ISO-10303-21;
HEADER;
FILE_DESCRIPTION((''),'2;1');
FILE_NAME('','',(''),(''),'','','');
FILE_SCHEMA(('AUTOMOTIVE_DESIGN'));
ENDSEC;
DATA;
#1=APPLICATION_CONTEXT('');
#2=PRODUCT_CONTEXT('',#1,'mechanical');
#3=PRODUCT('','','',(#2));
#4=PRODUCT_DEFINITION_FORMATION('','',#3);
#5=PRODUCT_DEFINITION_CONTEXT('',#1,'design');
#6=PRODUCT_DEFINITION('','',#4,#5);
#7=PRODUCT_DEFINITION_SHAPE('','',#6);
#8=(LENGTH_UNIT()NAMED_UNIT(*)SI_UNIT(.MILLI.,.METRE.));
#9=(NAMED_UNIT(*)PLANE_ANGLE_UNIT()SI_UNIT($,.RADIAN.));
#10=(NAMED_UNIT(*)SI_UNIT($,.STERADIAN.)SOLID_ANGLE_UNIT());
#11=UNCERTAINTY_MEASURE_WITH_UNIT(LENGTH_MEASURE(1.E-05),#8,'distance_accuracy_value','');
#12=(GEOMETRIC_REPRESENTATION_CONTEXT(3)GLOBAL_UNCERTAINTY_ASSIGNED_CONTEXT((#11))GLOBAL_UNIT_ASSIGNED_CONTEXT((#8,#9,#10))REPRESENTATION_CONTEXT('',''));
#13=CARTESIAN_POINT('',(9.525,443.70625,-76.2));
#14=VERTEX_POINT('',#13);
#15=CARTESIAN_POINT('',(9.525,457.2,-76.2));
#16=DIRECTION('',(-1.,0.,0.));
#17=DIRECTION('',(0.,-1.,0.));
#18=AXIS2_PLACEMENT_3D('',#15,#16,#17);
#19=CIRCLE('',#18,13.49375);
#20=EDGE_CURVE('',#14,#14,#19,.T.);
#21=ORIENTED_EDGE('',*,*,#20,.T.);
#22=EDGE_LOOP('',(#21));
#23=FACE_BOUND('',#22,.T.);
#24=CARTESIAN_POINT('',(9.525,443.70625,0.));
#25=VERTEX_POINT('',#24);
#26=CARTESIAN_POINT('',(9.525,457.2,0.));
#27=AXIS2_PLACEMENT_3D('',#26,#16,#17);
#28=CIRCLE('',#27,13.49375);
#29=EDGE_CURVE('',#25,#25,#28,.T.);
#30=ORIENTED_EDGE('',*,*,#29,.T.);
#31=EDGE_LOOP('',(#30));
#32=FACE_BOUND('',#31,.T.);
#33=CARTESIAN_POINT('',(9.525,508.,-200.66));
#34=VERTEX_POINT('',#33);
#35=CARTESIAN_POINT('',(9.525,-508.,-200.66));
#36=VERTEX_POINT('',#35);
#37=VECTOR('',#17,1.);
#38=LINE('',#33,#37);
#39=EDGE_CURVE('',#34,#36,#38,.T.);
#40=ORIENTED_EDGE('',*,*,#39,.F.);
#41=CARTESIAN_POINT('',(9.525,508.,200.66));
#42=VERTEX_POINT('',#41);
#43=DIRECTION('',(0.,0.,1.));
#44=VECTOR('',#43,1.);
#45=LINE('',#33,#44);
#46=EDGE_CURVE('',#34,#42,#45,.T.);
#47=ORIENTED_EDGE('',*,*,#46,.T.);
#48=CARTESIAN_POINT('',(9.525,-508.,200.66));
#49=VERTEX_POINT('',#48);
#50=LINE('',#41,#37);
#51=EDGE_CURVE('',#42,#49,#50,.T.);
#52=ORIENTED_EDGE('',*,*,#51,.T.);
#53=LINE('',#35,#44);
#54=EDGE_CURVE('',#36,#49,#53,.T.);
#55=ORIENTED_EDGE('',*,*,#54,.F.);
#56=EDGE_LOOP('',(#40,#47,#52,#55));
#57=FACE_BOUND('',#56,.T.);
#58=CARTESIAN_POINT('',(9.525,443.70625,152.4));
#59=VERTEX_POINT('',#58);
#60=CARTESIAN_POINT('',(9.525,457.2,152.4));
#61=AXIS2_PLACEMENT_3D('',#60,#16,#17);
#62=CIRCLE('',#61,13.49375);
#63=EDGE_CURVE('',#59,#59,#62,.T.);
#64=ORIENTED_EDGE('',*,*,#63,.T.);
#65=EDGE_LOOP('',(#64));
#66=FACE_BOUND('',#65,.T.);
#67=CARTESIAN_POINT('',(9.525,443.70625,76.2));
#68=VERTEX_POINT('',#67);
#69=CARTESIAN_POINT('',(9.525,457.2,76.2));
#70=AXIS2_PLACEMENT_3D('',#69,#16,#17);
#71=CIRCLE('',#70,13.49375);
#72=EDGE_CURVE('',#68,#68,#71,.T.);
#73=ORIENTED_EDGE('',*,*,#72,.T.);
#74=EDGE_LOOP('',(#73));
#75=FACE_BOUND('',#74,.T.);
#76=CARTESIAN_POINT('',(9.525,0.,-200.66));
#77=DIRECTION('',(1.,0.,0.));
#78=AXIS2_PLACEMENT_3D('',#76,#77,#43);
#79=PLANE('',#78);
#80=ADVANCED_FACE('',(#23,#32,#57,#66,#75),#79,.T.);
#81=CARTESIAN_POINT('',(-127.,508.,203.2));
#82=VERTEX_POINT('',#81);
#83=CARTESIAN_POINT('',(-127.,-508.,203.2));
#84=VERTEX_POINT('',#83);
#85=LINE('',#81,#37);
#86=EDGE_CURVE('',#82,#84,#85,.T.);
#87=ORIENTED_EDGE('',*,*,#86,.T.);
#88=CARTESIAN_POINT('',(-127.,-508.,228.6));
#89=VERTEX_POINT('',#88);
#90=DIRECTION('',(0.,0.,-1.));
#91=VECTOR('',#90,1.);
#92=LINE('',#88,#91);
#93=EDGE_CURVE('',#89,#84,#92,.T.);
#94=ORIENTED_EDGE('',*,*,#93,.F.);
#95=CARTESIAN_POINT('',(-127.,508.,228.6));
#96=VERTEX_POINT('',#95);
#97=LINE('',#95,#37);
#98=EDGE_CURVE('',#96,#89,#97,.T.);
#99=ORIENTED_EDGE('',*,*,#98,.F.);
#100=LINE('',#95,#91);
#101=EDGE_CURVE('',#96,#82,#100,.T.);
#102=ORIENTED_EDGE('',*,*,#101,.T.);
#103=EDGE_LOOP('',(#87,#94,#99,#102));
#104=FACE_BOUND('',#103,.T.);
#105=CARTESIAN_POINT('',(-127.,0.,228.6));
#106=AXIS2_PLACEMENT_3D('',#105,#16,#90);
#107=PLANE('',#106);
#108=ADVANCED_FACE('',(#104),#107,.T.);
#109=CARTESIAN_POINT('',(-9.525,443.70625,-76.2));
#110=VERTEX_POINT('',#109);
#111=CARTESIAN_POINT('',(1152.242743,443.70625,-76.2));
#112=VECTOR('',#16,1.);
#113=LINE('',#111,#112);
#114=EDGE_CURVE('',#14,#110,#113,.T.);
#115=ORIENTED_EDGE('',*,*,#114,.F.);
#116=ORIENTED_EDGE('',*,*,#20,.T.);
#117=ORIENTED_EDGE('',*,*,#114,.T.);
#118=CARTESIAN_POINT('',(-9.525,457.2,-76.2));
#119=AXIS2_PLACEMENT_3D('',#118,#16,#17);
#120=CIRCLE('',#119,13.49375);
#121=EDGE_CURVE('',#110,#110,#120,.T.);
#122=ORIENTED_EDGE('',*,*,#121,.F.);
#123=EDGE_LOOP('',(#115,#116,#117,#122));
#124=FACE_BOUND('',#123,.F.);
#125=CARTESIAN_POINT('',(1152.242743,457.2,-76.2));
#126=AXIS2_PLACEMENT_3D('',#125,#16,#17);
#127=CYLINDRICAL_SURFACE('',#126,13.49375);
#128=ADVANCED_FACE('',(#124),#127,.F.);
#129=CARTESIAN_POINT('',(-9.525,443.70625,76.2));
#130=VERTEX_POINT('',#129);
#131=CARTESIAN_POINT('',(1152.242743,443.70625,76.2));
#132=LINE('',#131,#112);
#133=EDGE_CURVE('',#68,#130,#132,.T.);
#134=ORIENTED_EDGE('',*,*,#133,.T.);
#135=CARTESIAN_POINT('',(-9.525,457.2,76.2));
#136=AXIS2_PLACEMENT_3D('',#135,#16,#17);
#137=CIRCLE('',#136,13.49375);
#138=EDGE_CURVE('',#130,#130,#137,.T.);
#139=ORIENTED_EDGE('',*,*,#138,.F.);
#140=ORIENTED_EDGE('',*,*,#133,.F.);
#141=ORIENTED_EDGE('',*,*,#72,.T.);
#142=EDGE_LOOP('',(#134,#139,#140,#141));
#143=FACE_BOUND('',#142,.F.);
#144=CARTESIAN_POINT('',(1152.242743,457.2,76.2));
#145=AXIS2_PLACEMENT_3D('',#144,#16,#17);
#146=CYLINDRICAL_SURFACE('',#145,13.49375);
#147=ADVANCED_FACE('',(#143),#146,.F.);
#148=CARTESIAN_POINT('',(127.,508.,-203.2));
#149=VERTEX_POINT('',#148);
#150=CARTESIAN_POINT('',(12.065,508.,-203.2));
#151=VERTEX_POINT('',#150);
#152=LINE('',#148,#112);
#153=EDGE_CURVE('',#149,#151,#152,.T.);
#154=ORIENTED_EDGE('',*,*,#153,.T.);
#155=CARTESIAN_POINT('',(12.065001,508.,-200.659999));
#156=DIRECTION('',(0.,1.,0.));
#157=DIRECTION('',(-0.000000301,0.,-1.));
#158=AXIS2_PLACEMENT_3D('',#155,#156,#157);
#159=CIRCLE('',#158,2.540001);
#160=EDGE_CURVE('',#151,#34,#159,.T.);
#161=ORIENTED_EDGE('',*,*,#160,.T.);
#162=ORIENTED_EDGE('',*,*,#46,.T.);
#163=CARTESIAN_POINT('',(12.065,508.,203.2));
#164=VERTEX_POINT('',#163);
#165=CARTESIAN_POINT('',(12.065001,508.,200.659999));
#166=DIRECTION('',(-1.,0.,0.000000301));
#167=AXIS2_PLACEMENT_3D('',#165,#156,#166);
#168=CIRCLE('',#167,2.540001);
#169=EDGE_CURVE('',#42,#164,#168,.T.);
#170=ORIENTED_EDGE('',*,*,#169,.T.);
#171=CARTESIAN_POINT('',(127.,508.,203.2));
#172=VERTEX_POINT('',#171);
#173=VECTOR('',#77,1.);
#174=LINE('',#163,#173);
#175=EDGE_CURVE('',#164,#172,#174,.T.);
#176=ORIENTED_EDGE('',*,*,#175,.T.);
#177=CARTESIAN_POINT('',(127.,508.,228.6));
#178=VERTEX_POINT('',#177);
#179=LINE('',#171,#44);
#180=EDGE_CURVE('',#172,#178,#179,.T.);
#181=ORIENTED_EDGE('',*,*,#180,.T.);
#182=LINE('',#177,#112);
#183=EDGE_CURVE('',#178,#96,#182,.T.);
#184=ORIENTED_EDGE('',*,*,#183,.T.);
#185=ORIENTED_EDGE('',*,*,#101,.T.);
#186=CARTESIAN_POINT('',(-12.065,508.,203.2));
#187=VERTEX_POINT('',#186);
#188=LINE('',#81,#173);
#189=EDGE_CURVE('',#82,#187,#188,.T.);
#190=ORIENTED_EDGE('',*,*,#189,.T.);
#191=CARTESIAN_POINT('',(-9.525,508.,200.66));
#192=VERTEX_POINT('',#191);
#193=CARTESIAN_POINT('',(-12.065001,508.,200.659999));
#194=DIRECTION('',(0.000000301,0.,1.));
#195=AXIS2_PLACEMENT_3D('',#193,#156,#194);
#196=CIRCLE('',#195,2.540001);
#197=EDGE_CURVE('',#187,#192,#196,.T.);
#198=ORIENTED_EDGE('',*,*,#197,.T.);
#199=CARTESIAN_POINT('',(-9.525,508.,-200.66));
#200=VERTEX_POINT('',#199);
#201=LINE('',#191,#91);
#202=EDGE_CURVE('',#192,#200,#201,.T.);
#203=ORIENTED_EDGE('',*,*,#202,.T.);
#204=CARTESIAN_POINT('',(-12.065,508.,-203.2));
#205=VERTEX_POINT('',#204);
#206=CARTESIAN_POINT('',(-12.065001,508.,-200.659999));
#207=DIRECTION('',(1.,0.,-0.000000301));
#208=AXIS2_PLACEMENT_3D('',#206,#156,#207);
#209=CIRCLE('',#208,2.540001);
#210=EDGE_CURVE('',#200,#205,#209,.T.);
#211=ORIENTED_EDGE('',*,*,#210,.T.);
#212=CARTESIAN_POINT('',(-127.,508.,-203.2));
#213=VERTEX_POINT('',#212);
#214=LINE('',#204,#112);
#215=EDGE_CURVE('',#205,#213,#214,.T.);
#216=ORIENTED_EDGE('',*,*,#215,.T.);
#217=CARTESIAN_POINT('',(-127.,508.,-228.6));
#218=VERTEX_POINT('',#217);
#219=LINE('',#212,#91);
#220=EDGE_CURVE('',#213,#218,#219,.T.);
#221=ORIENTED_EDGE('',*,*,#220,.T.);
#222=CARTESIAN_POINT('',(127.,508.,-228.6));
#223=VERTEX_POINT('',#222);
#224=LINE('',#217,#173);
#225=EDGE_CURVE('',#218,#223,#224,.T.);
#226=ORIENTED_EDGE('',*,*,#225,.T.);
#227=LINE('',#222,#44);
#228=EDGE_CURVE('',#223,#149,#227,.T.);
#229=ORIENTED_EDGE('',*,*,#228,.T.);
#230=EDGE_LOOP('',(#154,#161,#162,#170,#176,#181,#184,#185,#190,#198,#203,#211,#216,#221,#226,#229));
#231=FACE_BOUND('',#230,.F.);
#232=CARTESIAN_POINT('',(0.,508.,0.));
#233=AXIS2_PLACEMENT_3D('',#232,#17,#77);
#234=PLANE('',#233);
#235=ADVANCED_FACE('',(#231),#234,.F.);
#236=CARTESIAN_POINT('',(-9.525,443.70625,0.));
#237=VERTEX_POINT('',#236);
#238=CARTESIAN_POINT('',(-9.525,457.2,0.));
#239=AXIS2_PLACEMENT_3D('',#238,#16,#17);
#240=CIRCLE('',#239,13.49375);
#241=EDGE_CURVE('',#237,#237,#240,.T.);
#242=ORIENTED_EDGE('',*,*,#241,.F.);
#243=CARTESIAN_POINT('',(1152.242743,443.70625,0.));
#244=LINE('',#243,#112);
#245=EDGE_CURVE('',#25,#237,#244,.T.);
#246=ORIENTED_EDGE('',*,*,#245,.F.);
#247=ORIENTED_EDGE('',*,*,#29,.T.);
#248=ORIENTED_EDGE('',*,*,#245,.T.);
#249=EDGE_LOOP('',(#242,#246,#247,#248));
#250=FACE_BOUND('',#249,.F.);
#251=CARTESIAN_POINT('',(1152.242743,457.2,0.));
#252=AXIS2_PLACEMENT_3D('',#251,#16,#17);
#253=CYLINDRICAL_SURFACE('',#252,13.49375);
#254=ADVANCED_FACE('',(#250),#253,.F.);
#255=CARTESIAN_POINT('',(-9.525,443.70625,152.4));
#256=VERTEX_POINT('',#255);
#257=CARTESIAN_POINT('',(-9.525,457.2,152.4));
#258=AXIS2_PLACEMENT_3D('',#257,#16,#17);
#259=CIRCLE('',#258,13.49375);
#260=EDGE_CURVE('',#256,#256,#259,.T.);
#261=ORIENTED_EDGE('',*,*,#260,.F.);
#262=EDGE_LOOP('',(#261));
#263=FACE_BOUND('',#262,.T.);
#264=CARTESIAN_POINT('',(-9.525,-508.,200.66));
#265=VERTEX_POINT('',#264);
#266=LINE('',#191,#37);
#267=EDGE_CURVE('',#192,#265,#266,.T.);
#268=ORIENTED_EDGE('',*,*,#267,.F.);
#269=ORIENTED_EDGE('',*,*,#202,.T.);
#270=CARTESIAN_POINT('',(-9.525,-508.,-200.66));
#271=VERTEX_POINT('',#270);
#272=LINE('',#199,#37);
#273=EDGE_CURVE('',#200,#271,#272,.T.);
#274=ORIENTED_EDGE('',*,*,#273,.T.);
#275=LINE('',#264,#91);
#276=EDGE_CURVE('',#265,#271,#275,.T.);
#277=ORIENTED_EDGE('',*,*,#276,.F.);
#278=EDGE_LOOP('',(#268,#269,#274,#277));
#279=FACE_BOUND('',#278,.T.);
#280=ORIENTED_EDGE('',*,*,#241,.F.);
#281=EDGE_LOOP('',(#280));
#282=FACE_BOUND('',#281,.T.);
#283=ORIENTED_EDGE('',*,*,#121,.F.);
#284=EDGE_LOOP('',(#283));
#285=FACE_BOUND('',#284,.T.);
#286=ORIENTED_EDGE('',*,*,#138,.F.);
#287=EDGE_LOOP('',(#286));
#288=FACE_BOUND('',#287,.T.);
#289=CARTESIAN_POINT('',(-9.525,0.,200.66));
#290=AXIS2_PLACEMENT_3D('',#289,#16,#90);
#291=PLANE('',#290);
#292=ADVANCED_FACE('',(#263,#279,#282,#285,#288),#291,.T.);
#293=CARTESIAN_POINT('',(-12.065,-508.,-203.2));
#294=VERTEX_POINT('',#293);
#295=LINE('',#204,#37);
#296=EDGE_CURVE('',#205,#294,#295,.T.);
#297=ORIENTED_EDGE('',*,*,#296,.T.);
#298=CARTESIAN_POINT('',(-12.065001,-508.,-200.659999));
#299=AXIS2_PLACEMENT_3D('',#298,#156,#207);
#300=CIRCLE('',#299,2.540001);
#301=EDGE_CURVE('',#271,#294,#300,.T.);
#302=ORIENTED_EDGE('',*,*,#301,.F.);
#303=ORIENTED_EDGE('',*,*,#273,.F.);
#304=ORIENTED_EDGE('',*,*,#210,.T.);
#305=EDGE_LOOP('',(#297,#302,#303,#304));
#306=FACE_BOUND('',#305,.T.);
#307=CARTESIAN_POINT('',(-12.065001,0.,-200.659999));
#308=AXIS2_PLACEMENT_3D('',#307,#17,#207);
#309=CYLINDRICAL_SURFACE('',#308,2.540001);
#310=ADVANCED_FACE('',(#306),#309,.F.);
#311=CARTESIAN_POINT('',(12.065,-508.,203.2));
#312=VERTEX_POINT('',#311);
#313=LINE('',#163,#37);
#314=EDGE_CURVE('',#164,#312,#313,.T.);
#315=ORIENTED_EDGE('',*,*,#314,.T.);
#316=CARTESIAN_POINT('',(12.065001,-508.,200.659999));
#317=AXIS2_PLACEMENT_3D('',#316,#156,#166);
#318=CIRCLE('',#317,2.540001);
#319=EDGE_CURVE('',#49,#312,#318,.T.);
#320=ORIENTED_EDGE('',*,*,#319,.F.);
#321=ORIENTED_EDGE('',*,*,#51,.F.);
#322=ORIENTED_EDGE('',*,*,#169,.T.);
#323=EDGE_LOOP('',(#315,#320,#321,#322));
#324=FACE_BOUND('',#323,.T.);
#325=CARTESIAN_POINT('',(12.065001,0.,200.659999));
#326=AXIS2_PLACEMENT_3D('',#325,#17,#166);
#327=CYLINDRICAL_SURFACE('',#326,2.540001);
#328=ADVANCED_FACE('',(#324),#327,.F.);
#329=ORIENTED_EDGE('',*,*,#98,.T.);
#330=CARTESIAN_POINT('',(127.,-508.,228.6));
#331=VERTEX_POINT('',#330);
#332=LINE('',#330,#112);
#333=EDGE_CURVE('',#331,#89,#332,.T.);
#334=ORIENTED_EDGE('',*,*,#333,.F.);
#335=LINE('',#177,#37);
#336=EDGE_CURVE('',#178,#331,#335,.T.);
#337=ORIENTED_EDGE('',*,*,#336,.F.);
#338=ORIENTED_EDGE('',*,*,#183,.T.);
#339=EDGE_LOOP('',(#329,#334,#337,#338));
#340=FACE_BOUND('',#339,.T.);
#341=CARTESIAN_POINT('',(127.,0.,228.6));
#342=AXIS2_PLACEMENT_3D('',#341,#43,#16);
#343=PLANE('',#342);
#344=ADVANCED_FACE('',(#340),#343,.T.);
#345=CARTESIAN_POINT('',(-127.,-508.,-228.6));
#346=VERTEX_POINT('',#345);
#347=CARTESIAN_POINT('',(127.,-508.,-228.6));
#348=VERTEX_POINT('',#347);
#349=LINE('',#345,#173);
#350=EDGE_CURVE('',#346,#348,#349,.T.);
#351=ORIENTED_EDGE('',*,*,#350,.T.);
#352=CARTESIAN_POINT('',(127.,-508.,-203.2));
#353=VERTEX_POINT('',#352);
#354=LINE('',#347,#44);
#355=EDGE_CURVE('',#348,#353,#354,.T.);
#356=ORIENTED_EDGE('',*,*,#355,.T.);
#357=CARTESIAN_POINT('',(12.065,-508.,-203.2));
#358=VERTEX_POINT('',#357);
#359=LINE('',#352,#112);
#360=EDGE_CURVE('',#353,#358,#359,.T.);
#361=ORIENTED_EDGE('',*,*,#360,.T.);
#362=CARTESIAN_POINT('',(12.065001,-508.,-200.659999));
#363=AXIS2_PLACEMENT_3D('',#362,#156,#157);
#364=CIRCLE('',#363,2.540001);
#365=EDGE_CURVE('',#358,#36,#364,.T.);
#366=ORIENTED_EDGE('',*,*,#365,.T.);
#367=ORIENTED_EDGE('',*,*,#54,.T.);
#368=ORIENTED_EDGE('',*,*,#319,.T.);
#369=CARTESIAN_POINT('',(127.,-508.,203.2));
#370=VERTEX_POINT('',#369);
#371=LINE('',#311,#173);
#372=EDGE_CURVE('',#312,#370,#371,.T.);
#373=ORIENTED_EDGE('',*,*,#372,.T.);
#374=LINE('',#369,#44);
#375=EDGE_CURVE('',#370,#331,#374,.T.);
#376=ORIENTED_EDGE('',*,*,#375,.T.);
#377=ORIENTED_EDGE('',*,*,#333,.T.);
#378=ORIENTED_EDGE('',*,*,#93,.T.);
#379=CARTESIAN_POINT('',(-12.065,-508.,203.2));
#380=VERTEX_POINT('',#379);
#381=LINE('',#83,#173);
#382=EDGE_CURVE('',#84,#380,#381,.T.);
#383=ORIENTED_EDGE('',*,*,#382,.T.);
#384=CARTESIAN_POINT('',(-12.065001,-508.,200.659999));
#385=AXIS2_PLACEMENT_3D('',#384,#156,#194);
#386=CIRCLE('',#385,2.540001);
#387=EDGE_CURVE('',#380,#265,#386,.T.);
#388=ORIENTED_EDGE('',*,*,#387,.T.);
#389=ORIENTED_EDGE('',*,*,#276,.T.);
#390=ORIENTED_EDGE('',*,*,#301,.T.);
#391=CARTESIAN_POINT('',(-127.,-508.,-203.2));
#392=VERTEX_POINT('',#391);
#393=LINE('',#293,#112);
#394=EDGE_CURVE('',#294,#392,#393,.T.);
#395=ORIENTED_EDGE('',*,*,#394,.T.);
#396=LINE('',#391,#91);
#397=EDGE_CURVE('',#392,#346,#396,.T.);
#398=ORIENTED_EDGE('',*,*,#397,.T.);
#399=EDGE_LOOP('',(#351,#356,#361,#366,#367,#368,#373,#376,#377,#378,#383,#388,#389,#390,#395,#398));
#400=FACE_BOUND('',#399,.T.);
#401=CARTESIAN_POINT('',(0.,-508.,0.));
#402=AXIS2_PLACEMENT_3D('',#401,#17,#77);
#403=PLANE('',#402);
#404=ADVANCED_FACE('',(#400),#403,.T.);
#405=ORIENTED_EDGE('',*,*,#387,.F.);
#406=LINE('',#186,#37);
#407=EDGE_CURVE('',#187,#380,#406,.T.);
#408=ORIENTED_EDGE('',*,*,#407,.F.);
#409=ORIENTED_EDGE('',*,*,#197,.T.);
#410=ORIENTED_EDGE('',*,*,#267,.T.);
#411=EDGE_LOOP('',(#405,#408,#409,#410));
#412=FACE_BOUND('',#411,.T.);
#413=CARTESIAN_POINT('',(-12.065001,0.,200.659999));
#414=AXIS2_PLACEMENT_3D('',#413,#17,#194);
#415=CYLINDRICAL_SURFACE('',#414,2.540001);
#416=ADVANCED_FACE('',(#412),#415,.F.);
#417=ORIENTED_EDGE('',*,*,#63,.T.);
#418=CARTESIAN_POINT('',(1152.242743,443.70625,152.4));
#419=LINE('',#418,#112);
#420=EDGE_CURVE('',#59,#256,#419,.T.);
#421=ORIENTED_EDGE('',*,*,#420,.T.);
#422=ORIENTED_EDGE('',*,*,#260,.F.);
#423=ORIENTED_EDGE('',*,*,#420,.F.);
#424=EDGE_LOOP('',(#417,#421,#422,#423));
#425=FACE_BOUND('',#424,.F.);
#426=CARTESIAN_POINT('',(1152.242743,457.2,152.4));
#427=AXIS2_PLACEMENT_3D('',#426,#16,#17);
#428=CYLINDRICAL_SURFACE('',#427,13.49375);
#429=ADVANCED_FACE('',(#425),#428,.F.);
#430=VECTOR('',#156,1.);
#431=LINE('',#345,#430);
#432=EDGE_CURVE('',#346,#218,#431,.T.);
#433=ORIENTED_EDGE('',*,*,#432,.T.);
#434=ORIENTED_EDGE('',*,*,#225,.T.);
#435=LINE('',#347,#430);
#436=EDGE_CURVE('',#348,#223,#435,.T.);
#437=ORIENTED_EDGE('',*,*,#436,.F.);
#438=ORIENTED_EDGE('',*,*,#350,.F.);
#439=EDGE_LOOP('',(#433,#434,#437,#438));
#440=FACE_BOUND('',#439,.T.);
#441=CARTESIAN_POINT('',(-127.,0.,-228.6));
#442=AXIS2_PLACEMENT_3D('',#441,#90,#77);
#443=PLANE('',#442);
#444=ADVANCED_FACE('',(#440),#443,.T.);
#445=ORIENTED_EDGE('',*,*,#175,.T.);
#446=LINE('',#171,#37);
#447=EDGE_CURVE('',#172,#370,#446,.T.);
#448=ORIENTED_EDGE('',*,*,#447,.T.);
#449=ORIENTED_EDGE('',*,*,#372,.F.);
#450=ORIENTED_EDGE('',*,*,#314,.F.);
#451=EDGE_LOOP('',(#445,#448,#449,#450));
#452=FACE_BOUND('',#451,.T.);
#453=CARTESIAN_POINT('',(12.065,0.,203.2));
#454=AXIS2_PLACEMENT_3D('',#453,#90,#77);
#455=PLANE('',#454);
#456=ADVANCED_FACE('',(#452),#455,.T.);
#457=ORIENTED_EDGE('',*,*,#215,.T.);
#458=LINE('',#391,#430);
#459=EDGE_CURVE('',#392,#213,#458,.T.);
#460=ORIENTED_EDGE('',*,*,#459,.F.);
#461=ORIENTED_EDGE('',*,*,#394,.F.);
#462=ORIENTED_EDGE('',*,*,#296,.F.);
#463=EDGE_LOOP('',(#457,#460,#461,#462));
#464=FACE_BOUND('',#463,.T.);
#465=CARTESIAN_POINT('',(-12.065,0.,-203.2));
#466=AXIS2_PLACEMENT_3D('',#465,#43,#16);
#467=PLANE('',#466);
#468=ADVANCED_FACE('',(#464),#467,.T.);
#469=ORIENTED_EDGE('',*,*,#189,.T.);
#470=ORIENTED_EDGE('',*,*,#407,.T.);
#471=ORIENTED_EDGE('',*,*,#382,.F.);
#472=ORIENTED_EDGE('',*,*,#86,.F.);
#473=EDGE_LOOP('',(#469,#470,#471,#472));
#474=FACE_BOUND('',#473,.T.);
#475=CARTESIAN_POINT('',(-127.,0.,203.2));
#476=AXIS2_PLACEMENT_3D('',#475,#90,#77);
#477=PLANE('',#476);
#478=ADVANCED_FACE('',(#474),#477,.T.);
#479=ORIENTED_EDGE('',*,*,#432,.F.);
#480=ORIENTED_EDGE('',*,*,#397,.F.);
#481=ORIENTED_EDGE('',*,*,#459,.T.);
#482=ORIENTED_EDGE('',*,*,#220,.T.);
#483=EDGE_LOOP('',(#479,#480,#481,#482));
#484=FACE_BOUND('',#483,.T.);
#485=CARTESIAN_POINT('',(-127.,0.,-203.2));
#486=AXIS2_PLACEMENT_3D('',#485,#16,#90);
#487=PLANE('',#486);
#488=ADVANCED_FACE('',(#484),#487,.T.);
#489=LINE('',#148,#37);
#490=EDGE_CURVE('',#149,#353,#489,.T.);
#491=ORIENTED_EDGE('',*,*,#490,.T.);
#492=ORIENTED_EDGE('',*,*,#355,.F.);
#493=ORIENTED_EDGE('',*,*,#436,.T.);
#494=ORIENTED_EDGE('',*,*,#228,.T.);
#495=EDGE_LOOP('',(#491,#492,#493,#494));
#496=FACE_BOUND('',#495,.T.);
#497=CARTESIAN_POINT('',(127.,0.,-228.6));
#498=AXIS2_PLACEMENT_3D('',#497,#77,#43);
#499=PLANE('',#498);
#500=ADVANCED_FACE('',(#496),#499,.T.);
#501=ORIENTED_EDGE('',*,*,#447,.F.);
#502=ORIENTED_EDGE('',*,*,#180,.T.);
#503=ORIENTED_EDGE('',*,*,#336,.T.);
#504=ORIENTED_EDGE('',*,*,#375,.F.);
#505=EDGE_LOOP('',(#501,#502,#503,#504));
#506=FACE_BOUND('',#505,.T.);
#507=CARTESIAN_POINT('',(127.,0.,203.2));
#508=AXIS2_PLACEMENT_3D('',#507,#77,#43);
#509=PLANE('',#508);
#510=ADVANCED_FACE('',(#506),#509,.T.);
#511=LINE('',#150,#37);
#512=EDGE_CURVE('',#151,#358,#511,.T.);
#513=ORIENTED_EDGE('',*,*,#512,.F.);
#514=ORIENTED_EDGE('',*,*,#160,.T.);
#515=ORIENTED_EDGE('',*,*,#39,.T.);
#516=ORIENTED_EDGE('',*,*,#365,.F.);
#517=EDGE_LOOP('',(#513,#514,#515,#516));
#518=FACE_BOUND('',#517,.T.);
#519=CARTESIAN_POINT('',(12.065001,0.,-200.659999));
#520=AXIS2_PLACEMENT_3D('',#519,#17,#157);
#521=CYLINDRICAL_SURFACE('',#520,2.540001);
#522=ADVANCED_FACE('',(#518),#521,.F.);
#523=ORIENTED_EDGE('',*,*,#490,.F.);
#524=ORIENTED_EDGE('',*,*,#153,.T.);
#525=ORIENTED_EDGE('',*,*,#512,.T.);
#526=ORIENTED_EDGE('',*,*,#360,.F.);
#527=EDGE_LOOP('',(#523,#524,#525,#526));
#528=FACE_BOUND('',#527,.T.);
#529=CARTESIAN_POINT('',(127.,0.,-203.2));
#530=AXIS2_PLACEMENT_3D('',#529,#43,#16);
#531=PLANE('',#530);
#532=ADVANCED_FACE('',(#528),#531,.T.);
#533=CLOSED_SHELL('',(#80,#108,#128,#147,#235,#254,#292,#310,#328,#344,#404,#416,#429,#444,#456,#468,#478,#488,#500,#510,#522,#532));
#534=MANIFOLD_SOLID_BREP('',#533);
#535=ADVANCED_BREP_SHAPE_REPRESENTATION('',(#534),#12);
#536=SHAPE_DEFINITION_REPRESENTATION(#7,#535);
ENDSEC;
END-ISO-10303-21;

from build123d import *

# Parameters (mm, degrees)
F1_DEPTH = 508
F3_D     = 26.9875


with BuildPart() as f1:
    # F0 (on Front) → F1 (new body, symmetric)
    with BuildSketch(Plane.XZ):
        with BuildLine():
            Line((127, -228.6), (127, -203.2))
            Line((127, -203.2), (12.065, -203.2))
            ThreePointArc((12.065, -203.2), (10.268949, -202.456051), (9.525, -200.66))
            Line((9.525, -200.66), (9.525, 200.66))
            ThreePointArc((9.525, 200.66), (10.268949, 202.456051), (12.065, 203.2))
            Line((12.065, 203.2), (127, 203.2))
            Line((127, 203.2), (127, 228.6))
            Line((127, 228.6), (-127, 228.6))
            Line((-127, 228.6), (-127, 203.2))
            Line((-127, 203.2), (-12.065, 203.2))
            ThreePointArc((-12.065, 203.2), (-10.268949, 202.456051), (-9.525, 200.66))
            Line((-9.525, 200.66), (-9.525, -200.66))
            ThreePointArc((-9.525, -200.66), (-10.268949, -202.456051), (-12.065, -203.2))
            Line((-12.065, -203.2), (-127, -203.2))
            Line((-127, -203.2), (-127, -228.6))
            Line((-127, -228.6), (127, -228.6))
        make_face()
    extrude(amount=F1_DEPTH, both=True)

    # F3 (through all)
    with Locations(Plane.YZ.offset(9.525)):
        with Locations((457.2, 152.4), (457.2, 76.2), (457.2, 0), (457.2, -76.2)):
            Hole(F3_D / 2)


solid = f1.part
